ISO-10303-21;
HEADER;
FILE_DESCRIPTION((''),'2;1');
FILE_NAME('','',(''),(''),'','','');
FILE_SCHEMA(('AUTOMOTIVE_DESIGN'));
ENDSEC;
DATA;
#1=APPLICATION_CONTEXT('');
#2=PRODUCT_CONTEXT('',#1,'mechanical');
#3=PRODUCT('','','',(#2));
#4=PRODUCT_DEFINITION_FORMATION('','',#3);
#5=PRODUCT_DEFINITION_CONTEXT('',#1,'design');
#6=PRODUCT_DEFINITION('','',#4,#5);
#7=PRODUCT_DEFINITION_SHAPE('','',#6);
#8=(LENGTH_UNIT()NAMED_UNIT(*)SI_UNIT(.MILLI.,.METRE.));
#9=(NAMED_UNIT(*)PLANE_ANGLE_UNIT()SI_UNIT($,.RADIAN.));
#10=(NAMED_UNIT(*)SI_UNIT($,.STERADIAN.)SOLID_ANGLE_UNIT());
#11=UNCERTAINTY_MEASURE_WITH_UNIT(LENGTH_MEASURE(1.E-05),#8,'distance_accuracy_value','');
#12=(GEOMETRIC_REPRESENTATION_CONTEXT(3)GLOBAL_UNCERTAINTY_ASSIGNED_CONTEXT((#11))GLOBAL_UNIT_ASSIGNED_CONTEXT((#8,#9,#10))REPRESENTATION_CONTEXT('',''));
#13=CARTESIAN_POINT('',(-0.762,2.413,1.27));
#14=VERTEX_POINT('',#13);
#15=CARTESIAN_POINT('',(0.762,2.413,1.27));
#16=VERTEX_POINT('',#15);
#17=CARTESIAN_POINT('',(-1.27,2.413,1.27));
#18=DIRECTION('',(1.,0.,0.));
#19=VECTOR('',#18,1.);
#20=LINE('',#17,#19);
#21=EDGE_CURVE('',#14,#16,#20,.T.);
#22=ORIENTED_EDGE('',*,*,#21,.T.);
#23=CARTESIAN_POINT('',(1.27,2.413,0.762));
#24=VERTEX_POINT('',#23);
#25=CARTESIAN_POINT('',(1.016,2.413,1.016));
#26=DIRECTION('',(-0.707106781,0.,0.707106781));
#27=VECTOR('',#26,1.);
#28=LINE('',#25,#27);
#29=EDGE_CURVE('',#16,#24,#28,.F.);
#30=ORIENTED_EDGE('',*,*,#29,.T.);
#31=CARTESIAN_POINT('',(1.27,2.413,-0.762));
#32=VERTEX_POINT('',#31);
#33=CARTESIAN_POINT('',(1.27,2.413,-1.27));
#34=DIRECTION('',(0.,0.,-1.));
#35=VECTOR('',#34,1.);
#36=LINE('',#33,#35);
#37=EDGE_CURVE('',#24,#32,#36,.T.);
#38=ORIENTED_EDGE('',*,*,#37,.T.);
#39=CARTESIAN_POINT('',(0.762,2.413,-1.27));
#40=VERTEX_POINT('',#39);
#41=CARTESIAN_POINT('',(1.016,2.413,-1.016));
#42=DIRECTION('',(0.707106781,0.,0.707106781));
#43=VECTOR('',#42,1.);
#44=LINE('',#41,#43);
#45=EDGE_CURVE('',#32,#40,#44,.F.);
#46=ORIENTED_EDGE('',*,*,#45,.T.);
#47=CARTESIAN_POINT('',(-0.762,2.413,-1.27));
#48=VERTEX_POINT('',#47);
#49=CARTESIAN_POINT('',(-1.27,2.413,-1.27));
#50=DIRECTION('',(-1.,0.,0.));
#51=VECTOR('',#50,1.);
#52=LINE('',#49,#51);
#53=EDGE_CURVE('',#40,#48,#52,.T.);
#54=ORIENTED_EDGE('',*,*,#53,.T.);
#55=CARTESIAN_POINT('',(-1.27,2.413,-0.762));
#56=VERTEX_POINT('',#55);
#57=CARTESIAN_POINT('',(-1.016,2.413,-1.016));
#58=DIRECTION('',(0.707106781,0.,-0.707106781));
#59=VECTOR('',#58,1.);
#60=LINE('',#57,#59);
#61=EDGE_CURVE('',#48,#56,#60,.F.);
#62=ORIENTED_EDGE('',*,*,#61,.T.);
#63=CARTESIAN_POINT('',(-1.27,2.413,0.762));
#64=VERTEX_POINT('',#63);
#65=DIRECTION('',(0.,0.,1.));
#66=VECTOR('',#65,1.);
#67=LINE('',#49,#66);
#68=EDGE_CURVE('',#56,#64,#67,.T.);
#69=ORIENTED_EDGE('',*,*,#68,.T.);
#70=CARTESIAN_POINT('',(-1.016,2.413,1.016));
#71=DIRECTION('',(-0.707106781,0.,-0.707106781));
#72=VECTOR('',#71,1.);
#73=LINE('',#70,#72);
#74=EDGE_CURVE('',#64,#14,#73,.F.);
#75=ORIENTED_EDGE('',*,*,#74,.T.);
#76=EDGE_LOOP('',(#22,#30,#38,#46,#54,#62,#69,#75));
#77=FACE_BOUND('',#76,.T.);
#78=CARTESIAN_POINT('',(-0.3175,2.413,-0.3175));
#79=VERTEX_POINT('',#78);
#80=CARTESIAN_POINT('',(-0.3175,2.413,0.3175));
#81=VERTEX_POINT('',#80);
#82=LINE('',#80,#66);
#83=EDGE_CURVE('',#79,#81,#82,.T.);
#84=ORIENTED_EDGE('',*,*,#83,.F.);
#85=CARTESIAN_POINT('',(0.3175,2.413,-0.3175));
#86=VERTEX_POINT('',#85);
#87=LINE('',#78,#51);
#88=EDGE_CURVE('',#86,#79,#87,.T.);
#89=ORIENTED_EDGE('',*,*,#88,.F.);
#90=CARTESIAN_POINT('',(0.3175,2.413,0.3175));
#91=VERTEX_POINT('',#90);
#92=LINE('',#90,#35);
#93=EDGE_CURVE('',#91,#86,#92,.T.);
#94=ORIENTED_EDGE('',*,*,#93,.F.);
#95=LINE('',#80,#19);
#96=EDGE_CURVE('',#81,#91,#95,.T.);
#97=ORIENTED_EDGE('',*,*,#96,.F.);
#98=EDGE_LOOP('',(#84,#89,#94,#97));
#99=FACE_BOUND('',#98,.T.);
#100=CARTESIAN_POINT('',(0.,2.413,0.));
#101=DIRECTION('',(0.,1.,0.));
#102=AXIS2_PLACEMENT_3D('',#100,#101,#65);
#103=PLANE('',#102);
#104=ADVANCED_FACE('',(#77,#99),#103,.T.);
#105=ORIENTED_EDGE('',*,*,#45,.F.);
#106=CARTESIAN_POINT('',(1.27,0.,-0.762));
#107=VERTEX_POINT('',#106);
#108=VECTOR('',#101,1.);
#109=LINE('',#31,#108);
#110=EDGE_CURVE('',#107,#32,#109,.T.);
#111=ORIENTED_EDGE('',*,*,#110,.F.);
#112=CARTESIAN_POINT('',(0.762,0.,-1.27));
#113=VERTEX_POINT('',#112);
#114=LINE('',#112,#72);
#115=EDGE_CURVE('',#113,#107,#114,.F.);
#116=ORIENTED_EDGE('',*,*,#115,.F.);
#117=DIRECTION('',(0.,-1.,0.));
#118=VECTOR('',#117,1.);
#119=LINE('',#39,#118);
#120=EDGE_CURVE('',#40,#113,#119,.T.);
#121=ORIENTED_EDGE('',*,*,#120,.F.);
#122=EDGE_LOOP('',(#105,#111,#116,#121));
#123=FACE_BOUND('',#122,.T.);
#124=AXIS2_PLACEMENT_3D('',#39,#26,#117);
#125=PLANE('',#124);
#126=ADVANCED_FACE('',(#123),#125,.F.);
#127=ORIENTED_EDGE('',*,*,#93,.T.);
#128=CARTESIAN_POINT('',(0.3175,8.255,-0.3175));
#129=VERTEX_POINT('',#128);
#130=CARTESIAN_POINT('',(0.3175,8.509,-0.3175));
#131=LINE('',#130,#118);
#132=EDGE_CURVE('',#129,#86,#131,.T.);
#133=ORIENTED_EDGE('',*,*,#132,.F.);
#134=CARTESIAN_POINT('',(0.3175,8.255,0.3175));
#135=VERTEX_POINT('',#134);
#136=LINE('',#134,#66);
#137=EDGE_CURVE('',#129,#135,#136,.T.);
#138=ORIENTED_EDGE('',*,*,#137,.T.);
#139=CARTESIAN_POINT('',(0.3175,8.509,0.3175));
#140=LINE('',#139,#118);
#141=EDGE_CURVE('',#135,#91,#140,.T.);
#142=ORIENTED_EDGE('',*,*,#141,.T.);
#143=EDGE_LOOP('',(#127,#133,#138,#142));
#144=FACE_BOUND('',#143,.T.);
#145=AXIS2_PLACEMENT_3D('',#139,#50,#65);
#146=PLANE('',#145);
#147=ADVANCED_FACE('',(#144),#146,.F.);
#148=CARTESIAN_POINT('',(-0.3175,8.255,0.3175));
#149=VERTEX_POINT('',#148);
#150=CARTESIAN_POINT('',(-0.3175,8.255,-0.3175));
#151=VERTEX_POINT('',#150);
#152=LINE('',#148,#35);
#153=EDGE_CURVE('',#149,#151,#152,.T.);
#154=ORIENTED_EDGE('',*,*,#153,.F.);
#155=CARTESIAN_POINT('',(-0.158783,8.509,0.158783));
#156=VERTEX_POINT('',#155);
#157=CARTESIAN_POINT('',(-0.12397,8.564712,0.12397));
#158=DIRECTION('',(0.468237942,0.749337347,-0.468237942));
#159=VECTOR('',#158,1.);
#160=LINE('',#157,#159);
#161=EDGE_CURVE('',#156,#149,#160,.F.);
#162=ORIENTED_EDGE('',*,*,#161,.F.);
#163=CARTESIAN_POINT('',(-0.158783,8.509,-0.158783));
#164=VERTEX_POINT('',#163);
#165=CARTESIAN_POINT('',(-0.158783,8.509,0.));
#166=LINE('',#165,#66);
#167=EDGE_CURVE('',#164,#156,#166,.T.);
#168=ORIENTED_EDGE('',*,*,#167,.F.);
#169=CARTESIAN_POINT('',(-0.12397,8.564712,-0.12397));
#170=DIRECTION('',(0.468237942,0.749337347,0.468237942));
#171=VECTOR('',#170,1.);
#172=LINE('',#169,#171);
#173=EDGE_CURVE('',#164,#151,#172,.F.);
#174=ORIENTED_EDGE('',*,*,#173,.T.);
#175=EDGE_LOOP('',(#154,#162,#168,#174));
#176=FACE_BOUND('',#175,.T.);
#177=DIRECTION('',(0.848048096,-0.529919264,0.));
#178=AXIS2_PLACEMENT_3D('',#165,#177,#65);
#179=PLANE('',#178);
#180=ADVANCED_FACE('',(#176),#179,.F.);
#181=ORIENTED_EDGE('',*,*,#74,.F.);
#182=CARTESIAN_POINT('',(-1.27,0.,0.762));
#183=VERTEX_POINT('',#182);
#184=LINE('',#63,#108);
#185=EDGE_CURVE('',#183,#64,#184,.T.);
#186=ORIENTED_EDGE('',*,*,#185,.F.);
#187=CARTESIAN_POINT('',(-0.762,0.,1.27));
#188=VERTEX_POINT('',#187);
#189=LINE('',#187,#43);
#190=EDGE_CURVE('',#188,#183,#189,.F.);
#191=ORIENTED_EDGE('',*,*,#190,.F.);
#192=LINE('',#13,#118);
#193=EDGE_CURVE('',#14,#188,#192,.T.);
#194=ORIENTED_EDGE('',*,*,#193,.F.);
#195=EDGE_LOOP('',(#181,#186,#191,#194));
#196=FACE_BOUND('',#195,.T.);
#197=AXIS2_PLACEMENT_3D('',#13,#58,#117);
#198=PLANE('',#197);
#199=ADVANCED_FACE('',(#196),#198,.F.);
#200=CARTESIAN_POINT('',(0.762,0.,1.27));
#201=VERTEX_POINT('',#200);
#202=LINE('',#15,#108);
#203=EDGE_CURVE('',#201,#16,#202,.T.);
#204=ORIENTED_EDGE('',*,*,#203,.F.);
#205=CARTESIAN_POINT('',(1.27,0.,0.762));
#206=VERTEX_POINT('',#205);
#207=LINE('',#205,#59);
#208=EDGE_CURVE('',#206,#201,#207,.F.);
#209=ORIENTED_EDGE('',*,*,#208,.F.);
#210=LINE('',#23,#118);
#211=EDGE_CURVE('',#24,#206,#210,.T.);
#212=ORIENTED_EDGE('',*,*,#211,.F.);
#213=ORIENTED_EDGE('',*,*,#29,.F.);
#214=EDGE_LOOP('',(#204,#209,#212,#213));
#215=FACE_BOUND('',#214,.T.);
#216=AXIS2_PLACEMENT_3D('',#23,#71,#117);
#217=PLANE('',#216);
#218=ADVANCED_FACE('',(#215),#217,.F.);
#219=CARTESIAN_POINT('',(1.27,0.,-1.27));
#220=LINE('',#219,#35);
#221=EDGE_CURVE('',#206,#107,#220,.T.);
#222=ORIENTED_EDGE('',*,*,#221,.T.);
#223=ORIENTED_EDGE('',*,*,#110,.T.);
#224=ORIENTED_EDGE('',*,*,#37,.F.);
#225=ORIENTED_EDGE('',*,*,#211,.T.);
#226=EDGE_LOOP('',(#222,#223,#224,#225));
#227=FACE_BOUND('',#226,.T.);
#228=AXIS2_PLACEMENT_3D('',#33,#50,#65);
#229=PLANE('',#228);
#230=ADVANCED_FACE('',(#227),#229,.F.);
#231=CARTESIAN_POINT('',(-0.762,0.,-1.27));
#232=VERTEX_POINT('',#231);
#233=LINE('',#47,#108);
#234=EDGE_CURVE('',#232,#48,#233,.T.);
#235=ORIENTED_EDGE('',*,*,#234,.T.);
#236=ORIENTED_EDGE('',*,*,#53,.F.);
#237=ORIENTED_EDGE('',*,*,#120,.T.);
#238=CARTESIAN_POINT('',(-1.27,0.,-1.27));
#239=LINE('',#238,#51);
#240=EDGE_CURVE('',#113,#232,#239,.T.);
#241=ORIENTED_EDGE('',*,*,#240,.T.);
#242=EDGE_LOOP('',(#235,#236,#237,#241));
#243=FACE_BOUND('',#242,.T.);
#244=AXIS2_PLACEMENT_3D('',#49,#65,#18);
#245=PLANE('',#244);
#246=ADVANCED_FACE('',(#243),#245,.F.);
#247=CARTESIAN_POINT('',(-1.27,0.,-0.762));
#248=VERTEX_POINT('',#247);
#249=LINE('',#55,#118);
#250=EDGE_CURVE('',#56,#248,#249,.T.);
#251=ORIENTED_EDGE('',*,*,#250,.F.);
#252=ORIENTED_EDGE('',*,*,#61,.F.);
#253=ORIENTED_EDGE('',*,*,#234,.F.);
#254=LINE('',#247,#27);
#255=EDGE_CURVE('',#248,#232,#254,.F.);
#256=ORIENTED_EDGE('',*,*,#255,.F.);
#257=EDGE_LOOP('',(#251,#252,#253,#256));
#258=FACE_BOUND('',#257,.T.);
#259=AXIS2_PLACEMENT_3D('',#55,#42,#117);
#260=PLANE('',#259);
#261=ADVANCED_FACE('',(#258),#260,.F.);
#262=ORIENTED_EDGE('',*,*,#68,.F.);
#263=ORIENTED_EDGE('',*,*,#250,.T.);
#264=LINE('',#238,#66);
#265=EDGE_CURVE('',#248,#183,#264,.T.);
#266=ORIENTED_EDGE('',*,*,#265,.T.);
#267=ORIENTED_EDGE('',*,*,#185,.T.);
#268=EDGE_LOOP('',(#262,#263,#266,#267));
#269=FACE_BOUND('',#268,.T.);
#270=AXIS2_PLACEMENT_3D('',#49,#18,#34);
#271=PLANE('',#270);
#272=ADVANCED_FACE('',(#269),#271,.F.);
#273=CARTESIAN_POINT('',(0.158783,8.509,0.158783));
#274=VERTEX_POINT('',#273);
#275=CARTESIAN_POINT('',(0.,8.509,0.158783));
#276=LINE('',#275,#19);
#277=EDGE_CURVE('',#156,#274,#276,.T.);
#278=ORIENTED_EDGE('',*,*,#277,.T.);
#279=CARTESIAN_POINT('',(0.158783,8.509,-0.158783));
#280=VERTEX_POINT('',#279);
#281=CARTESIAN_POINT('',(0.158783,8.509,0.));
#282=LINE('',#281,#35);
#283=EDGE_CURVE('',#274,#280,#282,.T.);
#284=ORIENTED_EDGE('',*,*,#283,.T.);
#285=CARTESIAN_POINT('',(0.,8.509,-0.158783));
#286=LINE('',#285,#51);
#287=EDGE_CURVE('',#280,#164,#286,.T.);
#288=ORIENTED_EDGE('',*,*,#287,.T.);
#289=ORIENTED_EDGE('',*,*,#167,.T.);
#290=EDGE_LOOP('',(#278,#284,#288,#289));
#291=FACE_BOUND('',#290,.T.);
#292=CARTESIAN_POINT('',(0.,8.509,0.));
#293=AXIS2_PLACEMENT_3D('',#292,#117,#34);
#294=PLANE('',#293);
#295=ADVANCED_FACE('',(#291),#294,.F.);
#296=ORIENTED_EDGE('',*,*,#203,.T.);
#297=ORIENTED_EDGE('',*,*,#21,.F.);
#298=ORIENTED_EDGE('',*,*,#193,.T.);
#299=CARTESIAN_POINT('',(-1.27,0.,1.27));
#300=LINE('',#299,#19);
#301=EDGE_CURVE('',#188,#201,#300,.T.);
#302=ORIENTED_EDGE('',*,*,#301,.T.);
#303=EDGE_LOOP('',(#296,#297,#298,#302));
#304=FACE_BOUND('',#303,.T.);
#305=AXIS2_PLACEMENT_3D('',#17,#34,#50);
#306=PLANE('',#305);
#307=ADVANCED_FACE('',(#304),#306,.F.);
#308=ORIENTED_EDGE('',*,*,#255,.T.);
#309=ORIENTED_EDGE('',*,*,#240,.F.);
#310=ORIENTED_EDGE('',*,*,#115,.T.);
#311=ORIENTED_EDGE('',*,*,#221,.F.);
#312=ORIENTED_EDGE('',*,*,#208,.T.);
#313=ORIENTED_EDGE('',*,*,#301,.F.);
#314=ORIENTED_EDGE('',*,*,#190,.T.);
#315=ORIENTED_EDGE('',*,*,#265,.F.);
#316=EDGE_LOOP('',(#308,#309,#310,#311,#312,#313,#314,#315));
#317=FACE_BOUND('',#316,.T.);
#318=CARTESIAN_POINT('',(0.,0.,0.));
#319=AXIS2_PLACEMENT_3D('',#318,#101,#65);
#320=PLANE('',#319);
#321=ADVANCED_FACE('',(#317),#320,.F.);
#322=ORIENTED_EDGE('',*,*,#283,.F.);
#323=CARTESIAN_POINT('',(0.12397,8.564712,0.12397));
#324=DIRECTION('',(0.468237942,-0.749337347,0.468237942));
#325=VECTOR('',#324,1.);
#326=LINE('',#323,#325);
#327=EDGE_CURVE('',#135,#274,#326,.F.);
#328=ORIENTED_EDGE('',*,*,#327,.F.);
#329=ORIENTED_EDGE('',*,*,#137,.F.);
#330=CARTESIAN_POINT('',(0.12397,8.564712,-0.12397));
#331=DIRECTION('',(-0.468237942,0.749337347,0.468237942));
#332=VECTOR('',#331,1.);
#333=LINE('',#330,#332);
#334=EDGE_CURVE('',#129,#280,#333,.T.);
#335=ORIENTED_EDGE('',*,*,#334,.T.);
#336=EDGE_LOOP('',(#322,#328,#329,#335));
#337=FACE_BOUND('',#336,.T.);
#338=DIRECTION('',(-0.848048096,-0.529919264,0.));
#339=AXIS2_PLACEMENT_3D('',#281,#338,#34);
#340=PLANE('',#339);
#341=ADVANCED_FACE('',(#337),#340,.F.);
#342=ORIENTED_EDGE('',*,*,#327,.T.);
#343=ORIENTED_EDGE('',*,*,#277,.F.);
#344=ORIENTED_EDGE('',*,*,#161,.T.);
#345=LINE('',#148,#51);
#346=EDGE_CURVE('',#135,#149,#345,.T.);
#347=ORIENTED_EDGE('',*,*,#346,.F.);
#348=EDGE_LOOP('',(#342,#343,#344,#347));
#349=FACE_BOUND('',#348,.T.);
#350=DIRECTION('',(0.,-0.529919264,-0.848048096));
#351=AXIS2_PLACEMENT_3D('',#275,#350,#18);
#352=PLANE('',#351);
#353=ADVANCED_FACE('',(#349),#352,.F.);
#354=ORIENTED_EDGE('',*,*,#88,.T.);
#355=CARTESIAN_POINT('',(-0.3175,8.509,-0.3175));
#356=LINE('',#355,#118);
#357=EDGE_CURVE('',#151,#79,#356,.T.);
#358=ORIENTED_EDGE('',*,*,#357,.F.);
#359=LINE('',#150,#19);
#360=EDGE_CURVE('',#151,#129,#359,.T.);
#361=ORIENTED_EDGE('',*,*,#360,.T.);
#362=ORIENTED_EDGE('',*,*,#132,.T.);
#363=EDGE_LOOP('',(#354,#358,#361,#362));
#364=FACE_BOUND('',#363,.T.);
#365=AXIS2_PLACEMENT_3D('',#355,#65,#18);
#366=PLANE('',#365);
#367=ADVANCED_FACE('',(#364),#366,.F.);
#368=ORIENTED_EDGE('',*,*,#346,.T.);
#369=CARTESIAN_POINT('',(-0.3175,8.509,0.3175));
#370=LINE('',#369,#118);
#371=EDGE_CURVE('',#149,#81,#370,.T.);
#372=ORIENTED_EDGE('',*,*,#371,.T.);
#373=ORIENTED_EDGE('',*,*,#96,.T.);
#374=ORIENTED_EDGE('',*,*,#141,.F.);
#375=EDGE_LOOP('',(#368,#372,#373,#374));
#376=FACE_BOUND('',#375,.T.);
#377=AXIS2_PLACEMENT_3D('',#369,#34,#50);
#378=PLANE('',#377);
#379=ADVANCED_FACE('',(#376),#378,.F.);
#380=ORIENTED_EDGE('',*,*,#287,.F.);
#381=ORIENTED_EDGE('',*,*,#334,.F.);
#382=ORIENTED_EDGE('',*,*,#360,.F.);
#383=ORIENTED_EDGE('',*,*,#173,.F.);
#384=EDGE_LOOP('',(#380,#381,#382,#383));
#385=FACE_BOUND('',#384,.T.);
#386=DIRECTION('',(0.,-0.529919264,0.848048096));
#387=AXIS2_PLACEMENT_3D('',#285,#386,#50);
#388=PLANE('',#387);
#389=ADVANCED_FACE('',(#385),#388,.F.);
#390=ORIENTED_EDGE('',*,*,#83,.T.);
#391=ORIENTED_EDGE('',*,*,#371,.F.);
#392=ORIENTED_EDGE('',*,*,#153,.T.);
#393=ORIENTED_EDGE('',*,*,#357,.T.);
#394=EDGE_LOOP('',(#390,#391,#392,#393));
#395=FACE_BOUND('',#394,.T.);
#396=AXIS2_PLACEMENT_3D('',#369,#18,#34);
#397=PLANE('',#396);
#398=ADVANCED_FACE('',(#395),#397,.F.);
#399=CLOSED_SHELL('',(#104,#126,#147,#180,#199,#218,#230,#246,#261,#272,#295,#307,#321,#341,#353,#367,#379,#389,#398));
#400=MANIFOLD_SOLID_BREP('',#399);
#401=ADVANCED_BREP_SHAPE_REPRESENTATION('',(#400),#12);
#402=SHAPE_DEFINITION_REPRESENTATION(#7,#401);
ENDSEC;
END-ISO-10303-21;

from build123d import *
from OCP.BRepFilletAPI import BRepFilletAPI_MakeChamfer

# Parameters (mm, degrees)
SKETCH1_W           = 2.54
SKETCH1_H           = 2.54
BOSS_EXTRUDE1_DEPTH = 2.413
CHAMFER1_SIZE       = 0.508
SKETCH2_W           = 0.635
SKETCH2_H           = 0.635
BOSS_EXTRUDE2_DEPTH = 6.096
CHAMFER2_SIZE       = 0.254
CHAMFER2_SIZE2      = 0.158716815


with BuildPart() as part:
    # Sketch1 → Boss-Extrude1 (new body)
    with BuildSketch(Plane(origin=(0, 0, 0), x_dir=(1, 0, 0), z_dir=(0, 1, 0))):
        Rectangle(SKETCH1_W, SKETCH1_H)
    extrude(amount=BOSS_EXTRUDE1_DEPTH)

    # Chamfer1
    chamfer1_edges = [part.edges().sort_by_distance(p)[0] for p in [
        (1.27, 1.2065, 1.27),
        (-1.27, 1.2065, 1.27),
        (-1.27, 1.2065, -1.27),
        (1.27, 1.2065, -1.27),
    ]]
    chamfer(chamfer1_edges, length=CHAMFER1_SIZE)

    # Sketch2 → Boss-Extrude2 (add)
    with BuildSketch(Plane(origin=(0, 2.413, 0), x_dir=(1, 0, 0), z_dir=(0, 1, 0))):
        Rectangle(SKETCH2_W, SKETCH2_H)
    extrude(amount=BOSS_EXTRUDE2_DEPTH)

    # Chamfer2: one chamfer whose edges measure the first distance from different faces: ONE call of the kernel's chamfer builder (chamfer() names one face for all edges)
    chamfer2_edges_1 = [part.edges().sort_by_distance(p)[0] for p in [
        (0.3175, 8.509, 0),
    ]]
    chamfer2_side_1 = [part.faces().sort_by_distance(p)[0] for p in [
        (0.3175, 5.461, 0),
    ]]
    chamfer2_edges_2 = [part.edges().sort_by_distance(p)[0] for p in [
        (0, 8.509, -0.3175),
    ]]
    chamfer2_side_2 = [part.faces().sort_by_distance(p)[0] for p in [
        (0, 5.461, -0.3175),
    ]]
    chamfer2_edges_3 = [part.edges().sort_by_distance(p)[0] for p in [
        (-0.3175, 8.509, 0),
    ]]
    chamfer2_side_3 = [part.faces().sort_by_distance(p)[0] for p in [
        (-0.3175, 5.461, 0),
    ]]
    chamfer2_edges_4 = [part.edges().sort_by_distance(p)[0] for p in [
        (0, 8.509, 0.3175),
    ]]
    chamfer2_side_4 = [part.faces().sort_by_distance(p)[0] for p in [
        (0, 5.461, 0.3175),
    ]]
    chamfer2 = BRepFilletAPI_MakeChamfer(part.part.solid().wrapped)
    for e in chamfer2_edges_1:
        chamfer2.Add(CHAMFER2_SIZE, CHAMFER2_SIZE2, e.wrapped, chamfer2_side_1[0].wrapped)  # the first distance lies on this face
    for e in chamfer2_edges_2:
        chamfer2.Add(CHAMFER2_SIZE, CHAMFER2_SIZE2, e.wrapped, chamfer2_side_2[0].wrapped)  # the first distance lies on this face
    for e in chamfer2_edges_3:
        chamfer2.Add(CHAMFER2_SIZE, CHAMFER2_SIZE2, e.wrapped, chamfer2_side_3[0].wrapped)  # the first distance lies on this face
    for e in chamfer2_edges_4:
        chamfer2.Add(CHAMFER2_SIZE, CHAMFER2_SIZE2, e.wrapped, chamfer2_side_4[0].wrapped)  # the first distance lies on this face
    add(Compound.cast(chamfer2.Shape()), mode=Mode.REPLACE)


solid = part.part
